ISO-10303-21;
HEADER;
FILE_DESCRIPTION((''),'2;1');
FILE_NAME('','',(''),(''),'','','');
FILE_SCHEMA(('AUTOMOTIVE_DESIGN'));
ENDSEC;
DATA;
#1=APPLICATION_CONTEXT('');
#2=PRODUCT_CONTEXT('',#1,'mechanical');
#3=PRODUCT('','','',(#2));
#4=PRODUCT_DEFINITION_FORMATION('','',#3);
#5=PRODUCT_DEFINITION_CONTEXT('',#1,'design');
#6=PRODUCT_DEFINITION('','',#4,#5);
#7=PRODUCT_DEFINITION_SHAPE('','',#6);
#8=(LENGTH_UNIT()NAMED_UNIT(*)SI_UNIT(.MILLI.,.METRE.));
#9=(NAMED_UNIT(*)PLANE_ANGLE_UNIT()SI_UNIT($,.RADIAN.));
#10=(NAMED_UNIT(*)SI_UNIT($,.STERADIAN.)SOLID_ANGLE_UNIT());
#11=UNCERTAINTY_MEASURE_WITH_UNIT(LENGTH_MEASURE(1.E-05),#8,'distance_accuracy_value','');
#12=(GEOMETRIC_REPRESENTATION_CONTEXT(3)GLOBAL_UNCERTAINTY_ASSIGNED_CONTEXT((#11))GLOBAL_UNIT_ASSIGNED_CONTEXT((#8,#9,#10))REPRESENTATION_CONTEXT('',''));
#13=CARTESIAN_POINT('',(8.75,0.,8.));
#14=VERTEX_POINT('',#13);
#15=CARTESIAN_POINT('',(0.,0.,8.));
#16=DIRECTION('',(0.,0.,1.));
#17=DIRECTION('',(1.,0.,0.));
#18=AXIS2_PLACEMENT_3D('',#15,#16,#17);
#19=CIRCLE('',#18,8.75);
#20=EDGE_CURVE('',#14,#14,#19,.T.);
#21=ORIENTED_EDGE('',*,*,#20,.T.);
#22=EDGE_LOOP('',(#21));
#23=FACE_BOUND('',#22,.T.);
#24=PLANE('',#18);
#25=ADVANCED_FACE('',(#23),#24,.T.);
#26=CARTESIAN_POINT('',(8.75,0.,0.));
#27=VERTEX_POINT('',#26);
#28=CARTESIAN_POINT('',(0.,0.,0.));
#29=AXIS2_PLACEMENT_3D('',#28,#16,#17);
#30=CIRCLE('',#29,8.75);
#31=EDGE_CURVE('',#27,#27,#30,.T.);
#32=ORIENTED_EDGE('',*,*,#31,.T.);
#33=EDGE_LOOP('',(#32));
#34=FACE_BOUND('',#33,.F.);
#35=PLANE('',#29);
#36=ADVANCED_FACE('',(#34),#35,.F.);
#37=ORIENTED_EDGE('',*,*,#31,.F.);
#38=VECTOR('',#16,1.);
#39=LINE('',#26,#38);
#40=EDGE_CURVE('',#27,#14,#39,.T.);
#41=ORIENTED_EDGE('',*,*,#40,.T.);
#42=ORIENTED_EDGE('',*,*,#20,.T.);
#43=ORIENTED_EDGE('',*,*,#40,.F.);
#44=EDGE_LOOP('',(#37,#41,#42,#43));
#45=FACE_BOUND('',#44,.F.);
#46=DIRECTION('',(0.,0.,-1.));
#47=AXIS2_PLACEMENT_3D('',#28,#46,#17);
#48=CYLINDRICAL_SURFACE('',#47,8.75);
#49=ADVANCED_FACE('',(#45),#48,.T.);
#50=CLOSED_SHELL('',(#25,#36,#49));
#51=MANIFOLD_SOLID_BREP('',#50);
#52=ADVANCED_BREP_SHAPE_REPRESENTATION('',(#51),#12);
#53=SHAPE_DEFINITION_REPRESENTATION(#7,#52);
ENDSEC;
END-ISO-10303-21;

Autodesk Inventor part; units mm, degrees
ref_plane "YZ Plane" through (0, 0, 0) normal (1, 0, 0) x (0, 1, 0)
ref_plane "XZ Plane" through (0, 0, 0) normal (0, 1, 0) x (-1, 0, 0)
ref_plane "XY Plane" through (0, 0, 0) normal (0, 0, 1) x (1, 0, 0)
sketch "Sketch1" plane through (0, 0, 0) normal (0, 0, 1) x (1, 0, 0)
  circle A0 centre (0, 0) radius 8.75
  dimension "d0" = 17.5
extrude "Extrusion1" add sketch "Sketch1" along normal blind 8
properties part number "Gear"
